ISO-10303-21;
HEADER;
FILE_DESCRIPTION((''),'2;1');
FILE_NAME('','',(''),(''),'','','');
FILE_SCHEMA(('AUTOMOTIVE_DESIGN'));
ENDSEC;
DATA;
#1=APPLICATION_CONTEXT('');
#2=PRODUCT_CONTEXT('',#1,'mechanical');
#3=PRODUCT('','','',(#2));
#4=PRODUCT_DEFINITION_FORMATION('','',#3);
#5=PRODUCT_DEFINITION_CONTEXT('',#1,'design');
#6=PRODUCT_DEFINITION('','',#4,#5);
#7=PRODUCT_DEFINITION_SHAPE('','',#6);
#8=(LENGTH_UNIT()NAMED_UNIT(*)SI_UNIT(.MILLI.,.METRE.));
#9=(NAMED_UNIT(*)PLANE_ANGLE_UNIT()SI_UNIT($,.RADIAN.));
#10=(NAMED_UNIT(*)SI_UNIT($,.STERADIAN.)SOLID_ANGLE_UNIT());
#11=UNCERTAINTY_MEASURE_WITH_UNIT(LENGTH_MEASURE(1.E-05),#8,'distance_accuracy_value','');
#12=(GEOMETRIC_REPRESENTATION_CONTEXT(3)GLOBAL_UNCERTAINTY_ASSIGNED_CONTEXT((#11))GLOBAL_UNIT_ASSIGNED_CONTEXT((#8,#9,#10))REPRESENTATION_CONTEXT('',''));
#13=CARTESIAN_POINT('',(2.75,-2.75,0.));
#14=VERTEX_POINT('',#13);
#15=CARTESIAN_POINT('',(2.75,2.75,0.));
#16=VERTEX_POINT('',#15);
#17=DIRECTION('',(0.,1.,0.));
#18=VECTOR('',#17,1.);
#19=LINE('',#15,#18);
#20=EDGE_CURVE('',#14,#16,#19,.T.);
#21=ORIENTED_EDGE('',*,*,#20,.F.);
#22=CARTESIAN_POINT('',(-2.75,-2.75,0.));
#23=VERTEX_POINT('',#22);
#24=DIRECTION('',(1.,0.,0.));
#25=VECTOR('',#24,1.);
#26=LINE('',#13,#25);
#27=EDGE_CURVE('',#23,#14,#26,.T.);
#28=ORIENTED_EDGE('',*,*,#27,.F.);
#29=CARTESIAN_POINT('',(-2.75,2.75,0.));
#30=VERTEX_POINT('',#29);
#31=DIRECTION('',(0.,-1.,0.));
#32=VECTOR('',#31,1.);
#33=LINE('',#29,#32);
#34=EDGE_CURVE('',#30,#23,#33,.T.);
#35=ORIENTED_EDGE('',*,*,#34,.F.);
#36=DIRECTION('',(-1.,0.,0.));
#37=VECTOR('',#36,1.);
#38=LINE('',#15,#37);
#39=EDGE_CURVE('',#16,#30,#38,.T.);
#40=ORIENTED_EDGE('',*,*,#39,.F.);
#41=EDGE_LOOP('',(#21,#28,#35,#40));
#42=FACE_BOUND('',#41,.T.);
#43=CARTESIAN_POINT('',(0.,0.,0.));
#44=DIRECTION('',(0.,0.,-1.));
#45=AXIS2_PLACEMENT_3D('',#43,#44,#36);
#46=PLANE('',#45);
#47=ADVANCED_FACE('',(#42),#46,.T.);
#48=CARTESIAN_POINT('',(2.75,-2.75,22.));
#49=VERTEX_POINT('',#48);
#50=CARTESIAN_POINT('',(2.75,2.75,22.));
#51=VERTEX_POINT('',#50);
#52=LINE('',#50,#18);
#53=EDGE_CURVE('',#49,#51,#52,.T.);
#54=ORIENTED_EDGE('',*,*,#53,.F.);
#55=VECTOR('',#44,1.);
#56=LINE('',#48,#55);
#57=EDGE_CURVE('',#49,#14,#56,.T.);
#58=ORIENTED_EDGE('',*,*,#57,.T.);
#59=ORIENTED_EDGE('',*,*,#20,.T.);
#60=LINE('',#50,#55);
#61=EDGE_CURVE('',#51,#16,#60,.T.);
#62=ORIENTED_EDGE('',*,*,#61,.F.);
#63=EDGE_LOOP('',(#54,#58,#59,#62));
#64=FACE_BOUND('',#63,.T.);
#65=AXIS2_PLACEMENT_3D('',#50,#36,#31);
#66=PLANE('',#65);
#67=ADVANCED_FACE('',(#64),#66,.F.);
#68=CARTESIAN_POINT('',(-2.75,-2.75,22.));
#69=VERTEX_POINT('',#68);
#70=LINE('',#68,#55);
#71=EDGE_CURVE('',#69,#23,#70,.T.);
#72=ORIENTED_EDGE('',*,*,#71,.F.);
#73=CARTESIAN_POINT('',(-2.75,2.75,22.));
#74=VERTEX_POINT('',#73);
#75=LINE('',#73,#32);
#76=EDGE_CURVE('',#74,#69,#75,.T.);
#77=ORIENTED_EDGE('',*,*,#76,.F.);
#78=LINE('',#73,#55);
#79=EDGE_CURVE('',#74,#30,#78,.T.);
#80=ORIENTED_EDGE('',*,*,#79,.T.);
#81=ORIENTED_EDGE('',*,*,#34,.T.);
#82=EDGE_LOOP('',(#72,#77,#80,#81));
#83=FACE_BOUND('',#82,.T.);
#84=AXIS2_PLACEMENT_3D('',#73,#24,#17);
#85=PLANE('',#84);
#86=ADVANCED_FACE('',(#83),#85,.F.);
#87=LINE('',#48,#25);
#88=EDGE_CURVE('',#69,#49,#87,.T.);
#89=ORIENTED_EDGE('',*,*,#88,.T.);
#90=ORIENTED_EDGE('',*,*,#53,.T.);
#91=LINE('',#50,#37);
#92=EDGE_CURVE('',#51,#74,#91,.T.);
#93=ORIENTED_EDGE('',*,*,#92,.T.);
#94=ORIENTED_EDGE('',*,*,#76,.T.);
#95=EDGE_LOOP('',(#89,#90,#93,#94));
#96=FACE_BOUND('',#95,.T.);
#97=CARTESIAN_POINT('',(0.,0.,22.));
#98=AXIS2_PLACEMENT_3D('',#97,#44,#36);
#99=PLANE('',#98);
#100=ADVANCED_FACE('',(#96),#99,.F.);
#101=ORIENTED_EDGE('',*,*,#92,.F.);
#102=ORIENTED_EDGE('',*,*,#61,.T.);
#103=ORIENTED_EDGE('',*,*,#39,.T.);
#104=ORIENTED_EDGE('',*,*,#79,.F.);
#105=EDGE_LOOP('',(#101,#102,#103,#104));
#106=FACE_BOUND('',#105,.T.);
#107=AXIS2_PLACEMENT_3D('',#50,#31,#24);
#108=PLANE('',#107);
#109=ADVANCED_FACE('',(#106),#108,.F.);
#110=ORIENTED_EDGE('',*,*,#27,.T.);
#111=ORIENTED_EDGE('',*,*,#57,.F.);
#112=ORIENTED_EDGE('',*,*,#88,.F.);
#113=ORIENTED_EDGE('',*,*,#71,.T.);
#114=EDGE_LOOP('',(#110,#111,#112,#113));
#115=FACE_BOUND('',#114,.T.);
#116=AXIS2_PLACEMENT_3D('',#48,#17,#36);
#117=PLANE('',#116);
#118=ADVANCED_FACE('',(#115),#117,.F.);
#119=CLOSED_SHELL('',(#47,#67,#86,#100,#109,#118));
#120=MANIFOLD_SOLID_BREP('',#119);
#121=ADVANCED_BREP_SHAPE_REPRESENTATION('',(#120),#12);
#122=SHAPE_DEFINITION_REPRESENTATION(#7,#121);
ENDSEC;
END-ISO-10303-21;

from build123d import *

# Parameters (mm, degrees)
SKETCH_1_W      = 5.5
SKETCH_1_H      = 5.5
EXTRUDE_1_DEPTH = 22


with BuildPart() as part:
    # ｽｹｯﾁ1 → ﾎﾞｽ - 押し出し1 (new body)
    with BuildSketch(Plane.XY):
        Rectangle(SKETCH_1_W, SKETCH_1_H)
    extrude(amount=EXTRUDE_1_DEPTH)


solid = part.part
